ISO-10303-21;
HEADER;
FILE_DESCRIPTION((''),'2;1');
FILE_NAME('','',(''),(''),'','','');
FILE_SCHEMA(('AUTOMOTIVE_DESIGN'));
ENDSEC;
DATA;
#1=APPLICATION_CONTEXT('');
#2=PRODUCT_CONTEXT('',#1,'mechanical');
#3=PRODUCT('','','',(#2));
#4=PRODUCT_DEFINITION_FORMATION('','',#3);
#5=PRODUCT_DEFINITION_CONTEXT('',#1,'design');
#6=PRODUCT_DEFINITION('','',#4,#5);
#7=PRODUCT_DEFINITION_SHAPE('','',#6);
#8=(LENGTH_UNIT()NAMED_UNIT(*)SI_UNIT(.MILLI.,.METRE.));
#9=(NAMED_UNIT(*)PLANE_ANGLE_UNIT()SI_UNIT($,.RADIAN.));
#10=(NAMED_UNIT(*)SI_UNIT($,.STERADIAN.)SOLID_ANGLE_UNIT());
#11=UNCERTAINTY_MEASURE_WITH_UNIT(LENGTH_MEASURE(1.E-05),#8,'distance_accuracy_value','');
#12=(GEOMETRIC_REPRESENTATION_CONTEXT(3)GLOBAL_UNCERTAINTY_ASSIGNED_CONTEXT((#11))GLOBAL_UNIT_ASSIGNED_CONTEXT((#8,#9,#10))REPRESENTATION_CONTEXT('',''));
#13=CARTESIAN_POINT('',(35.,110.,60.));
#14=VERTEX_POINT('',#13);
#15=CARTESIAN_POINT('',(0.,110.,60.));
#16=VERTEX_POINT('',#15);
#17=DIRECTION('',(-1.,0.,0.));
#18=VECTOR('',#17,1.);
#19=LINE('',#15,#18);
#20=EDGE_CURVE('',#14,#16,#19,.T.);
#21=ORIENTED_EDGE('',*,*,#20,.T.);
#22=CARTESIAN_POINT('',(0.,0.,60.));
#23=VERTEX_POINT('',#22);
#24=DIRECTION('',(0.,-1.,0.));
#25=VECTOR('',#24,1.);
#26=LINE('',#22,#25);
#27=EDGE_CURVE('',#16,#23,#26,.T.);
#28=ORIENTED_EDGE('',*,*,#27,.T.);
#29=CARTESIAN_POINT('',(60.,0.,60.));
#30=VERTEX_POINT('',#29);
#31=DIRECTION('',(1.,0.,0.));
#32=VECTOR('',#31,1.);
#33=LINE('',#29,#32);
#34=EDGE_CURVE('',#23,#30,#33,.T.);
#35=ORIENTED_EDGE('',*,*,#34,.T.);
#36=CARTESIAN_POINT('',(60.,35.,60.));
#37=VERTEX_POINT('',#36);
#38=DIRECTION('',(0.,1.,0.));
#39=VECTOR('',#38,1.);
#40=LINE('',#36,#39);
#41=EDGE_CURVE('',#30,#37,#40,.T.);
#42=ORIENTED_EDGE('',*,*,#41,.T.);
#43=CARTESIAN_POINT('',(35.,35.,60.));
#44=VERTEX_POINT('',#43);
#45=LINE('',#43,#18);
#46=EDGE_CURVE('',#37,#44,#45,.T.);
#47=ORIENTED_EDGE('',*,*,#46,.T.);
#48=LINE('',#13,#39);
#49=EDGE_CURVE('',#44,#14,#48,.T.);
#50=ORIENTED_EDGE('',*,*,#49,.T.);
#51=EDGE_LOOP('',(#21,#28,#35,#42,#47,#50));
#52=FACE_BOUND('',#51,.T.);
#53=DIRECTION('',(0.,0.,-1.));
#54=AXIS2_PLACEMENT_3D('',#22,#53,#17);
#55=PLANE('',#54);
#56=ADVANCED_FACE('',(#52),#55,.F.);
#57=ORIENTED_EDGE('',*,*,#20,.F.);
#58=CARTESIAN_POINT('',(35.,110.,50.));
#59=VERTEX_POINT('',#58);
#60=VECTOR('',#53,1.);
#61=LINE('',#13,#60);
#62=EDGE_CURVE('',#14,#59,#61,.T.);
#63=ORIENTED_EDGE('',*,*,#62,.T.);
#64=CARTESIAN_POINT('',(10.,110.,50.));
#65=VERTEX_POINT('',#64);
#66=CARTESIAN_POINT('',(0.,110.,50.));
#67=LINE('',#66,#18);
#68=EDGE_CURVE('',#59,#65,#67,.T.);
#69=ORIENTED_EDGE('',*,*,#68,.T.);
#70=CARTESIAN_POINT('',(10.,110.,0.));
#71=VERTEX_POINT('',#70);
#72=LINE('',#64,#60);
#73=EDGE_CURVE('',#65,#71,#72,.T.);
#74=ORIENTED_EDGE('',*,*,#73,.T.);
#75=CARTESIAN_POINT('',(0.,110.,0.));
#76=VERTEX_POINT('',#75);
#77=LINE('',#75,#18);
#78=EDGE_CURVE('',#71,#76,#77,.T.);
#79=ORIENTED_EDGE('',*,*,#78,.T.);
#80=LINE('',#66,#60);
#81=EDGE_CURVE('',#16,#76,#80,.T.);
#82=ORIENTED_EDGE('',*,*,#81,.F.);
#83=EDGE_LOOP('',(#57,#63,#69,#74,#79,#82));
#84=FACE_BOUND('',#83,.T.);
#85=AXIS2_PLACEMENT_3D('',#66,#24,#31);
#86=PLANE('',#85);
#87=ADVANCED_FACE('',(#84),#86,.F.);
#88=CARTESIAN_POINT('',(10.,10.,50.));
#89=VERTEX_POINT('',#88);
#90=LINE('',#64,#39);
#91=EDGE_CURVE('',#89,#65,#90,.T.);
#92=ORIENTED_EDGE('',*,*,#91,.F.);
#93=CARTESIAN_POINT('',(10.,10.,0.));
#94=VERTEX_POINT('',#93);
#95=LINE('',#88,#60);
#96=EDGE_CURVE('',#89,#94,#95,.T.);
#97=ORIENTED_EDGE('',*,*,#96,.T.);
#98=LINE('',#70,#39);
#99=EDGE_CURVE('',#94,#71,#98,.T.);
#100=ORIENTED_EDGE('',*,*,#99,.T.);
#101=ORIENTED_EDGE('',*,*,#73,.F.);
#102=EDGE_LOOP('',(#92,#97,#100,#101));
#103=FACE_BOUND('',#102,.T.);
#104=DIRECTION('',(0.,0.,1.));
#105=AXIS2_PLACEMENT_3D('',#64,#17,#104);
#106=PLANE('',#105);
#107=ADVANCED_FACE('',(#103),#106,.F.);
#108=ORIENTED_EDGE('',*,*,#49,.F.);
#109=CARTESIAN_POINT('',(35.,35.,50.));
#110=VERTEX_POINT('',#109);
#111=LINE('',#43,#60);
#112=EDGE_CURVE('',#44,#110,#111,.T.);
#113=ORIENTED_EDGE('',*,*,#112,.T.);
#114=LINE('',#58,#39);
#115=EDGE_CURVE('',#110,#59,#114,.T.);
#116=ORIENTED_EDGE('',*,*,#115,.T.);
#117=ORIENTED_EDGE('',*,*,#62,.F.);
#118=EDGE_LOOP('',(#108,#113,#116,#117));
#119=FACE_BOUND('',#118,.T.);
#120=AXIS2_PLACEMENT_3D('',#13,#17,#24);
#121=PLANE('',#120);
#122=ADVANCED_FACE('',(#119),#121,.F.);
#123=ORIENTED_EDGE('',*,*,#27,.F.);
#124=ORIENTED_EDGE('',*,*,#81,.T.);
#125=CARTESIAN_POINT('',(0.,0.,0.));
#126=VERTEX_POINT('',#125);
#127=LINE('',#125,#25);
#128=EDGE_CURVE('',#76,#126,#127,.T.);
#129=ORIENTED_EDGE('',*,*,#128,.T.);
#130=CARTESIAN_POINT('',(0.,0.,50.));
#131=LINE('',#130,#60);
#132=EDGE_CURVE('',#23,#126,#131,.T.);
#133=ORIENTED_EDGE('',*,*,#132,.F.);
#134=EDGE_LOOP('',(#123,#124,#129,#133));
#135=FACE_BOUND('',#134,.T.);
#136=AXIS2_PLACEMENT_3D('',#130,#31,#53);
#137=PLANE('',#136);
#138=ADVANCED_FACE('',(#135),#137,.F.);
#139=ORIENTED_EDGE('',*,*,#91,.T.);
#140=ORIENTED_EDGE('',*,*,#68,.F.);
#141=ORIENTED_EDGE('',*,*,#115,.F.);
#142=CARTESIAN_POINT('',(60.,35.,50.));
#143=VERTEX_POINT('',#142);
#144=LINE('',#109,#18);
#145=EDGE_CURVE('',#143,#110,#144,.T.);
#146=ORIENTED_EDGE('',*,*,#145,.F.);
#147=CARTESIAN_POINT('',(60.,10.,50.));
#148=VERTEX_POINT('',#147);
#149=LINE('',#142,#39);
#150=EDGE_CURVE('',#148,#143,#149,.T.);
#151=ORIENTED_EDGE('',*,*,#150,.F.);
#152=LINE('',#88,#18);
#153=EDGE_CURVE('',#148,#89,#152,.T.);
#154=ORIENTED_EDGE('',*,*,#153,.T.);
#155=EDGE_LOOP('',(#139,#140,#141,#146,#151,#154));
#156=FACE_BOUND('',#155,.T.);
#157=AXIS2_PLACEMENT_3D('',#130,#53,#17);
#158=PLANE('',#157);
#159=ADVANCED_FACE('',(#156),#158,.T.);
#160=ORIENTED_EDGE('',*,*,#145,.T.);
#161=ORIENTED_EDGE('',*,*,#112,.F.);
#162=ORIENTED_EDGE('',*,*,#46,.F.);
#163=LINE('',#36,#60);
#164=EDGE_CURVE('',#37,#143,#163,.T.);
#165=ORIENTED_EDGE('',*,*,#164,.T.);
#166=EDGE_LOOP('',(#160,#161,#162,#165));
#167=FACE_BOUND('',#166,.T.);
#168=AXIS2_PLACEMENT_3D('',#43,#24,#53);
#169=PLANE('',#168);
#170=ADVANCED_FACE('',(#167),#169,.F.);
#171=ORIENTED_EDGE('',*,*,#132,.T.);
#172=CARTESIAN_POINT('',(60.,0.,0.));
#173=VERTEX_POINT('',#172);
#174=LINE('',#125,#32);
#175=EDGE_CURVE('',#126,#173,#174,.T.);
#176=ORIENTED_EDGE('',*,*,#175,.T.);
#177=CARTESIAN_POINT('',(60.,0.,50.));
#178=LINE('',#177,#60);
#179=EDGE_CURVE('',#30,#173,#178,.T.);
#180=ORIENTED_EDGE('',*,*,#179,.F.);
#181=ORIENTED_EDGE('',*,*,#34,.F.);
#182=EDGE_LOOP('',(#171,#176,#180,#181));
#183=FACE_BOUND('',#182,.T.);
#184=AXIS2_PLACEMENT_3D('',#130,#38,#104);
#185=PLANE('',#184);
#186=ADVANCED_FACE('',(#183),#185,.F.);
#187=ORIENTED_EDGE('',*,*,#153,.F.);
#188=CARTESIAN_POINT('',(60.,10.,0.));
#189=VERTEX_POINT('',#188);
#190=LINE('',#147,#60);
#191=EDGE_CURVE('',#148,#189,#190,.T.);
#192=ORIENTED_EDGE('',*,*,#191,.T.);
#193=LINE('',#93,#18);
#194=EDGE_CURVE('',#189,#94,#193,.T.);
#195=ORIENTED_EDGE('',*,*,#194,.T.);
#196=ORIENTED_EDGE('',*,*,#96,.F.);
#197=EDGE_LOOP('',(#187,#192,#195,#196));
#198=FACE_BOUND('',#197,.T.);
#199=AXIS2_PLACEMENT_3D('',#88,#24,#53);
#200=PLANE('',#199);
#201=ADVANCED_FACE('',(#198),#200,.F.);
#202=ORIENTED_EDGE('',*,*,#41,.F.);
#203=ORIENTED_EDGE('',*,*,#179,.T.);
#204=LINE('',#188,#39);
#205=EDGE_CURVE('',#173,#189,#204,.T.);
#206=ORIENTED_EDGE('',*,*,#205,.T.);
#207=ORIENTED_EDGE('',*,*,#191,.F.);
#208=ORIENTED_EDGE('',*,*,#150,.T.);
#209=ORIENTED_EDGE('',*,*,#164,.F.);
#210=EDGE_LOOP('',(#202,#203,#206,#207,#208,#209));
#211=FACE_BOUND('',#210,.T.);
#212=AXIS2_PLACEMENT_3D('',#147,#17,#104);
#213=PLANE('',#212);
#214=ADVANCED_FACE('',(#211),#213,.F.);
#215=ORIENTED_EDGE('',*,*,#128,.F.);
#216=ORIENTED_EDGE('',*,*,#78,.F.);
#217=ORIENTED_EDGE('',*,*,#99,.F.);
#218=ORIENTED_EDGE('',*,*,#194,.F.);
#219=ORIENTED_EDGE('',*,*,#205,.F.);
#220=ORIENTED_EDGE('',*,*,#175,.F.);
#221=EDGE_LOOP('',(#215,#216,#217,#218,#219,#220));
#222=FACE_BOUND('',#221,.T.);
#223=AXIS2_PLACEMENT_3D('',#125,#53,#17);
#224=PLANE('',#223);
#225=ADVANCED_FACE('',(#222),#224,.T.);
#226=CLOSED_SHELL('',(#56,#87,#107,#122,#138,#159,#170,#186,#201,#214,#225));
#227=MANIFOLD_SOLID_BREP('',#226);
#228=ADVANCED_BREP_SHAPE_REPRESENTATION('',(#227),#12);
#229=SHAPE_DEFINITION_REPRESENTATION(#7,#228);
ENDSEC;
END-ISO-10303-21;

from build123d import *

# Parameters (mm, degrees)
BOSS_EXTRUDE1_DEPTH = 50
BOSS_EXTRUDE2_DEPTH = 10


with BuildPart() as part:
    # Sketch1 → Boss-Extrude1 (new body)
    with BuildSketch(Plane.XY):
        Polygon((0, 110), (10, 110), (10, 10), (60, 10), (60, 0), (0, 0), align=None)
    extrude(amount=BOSS_EXTRUDE1_DEPTH)

    # Sketch2 → Boss-Extrude2 (add)
    with BuildSketch(Plane.XY.offset(50)):
        Polygon((0, 110), (35, 110), (35, 35), (60, 35), (60, 0), (0, 0), align=None)
    extrude(amount=BOSS_EXTRUDE2_DEPTH)


solid = part.part
